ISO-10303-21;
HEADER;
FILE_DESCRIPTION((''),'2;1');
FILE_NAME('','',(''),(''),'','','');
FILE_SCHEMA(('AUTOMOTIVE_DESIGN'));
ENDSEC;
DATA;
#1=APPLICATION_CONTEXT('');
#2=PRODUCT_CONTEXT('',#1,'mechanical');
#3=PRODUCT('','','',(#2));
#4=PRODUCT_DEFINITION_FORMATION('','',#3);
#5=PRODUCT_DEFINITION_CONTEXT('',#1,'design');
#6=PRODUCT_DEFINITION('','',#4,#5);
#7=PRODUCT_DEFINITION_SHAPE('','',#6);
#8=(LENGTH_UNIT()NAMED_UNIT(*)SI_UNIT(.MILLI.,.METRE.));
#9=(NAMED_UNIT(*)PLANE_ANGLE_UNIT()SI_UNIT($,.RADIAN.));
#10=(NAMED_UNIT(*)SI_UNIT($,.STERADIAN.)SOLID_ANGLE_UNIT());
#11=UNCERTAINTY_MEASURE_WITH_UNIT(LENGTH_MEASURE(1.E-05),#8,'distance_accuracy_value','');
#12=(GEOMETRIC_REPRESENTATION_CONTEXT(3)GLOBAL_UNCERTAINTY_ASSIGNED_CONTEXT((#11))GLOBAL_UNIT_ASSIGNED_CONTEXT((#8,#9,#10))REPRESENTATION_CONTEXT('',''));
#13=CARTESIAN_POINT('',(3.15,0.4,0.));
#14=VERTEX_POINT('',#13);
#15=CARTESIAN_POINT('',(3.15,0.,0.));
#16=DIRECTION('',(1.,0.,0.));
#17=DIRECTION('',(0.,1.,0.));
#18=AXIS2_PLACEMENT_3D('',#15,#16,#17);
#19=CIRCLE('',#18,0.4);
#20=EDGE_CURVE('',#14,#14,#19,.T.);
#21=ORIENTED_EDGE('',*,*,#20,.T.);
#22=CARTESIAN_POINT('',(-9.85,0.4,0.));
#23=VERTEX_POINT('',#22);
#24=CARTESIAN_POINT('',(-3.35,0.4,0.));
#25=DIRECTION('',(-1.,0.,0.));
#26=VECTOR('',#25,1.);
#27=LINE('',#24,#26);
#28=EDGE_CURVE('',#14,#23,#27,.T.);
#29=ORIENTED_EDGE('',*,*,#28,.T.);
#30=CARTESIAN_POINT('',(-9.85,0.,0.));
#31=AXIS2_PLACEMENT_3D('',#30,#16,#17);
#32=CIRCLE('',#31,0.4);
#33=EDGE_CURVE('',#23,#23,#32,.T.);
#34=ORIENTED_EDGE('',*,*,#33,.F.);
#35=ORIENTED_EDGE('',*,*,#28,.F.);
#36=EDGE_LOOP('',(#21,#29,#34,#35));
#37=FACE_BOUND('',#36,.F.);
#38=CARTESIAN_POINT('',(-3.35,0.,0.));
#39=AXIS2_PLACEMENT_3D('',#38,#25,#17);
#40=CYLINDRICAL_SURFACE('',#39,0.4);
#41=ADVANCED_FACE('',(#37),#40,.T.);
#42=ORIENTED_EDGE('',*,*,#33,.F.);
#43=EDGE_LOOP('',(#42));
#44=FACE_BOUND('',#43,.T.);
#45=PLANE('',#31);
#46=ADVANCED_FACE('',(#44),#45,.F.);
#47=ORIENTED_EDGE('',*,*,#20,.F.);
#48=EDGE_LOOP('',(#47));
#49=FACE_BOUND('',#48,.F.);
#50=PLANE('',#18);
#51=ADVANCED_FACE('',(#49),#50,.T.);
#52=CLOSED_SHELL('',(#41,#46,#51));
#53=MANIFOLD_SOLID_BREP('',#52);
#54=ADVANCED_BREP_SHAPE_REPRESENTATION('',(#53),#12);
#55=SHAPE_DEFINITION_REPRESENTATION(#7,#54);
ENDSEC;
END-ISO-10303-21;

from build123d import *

# Parameters (mm, degrees)
BINDER_W = 0.4
BINDER_H = 13


with BuildPart() as part:
    # Binder → Revolution (revolve)
    with BuildSketch(Plane(origin=(-3.35, 0.2, 0), x_dir=(0, 1, 0), z_dir=(0, 0, 1))):
        Rectangle(BINDER_W, BINDER_H)
    revolve(axis=Axis((0, 0, 0), (1, 0, 0)))


solid = part.part
